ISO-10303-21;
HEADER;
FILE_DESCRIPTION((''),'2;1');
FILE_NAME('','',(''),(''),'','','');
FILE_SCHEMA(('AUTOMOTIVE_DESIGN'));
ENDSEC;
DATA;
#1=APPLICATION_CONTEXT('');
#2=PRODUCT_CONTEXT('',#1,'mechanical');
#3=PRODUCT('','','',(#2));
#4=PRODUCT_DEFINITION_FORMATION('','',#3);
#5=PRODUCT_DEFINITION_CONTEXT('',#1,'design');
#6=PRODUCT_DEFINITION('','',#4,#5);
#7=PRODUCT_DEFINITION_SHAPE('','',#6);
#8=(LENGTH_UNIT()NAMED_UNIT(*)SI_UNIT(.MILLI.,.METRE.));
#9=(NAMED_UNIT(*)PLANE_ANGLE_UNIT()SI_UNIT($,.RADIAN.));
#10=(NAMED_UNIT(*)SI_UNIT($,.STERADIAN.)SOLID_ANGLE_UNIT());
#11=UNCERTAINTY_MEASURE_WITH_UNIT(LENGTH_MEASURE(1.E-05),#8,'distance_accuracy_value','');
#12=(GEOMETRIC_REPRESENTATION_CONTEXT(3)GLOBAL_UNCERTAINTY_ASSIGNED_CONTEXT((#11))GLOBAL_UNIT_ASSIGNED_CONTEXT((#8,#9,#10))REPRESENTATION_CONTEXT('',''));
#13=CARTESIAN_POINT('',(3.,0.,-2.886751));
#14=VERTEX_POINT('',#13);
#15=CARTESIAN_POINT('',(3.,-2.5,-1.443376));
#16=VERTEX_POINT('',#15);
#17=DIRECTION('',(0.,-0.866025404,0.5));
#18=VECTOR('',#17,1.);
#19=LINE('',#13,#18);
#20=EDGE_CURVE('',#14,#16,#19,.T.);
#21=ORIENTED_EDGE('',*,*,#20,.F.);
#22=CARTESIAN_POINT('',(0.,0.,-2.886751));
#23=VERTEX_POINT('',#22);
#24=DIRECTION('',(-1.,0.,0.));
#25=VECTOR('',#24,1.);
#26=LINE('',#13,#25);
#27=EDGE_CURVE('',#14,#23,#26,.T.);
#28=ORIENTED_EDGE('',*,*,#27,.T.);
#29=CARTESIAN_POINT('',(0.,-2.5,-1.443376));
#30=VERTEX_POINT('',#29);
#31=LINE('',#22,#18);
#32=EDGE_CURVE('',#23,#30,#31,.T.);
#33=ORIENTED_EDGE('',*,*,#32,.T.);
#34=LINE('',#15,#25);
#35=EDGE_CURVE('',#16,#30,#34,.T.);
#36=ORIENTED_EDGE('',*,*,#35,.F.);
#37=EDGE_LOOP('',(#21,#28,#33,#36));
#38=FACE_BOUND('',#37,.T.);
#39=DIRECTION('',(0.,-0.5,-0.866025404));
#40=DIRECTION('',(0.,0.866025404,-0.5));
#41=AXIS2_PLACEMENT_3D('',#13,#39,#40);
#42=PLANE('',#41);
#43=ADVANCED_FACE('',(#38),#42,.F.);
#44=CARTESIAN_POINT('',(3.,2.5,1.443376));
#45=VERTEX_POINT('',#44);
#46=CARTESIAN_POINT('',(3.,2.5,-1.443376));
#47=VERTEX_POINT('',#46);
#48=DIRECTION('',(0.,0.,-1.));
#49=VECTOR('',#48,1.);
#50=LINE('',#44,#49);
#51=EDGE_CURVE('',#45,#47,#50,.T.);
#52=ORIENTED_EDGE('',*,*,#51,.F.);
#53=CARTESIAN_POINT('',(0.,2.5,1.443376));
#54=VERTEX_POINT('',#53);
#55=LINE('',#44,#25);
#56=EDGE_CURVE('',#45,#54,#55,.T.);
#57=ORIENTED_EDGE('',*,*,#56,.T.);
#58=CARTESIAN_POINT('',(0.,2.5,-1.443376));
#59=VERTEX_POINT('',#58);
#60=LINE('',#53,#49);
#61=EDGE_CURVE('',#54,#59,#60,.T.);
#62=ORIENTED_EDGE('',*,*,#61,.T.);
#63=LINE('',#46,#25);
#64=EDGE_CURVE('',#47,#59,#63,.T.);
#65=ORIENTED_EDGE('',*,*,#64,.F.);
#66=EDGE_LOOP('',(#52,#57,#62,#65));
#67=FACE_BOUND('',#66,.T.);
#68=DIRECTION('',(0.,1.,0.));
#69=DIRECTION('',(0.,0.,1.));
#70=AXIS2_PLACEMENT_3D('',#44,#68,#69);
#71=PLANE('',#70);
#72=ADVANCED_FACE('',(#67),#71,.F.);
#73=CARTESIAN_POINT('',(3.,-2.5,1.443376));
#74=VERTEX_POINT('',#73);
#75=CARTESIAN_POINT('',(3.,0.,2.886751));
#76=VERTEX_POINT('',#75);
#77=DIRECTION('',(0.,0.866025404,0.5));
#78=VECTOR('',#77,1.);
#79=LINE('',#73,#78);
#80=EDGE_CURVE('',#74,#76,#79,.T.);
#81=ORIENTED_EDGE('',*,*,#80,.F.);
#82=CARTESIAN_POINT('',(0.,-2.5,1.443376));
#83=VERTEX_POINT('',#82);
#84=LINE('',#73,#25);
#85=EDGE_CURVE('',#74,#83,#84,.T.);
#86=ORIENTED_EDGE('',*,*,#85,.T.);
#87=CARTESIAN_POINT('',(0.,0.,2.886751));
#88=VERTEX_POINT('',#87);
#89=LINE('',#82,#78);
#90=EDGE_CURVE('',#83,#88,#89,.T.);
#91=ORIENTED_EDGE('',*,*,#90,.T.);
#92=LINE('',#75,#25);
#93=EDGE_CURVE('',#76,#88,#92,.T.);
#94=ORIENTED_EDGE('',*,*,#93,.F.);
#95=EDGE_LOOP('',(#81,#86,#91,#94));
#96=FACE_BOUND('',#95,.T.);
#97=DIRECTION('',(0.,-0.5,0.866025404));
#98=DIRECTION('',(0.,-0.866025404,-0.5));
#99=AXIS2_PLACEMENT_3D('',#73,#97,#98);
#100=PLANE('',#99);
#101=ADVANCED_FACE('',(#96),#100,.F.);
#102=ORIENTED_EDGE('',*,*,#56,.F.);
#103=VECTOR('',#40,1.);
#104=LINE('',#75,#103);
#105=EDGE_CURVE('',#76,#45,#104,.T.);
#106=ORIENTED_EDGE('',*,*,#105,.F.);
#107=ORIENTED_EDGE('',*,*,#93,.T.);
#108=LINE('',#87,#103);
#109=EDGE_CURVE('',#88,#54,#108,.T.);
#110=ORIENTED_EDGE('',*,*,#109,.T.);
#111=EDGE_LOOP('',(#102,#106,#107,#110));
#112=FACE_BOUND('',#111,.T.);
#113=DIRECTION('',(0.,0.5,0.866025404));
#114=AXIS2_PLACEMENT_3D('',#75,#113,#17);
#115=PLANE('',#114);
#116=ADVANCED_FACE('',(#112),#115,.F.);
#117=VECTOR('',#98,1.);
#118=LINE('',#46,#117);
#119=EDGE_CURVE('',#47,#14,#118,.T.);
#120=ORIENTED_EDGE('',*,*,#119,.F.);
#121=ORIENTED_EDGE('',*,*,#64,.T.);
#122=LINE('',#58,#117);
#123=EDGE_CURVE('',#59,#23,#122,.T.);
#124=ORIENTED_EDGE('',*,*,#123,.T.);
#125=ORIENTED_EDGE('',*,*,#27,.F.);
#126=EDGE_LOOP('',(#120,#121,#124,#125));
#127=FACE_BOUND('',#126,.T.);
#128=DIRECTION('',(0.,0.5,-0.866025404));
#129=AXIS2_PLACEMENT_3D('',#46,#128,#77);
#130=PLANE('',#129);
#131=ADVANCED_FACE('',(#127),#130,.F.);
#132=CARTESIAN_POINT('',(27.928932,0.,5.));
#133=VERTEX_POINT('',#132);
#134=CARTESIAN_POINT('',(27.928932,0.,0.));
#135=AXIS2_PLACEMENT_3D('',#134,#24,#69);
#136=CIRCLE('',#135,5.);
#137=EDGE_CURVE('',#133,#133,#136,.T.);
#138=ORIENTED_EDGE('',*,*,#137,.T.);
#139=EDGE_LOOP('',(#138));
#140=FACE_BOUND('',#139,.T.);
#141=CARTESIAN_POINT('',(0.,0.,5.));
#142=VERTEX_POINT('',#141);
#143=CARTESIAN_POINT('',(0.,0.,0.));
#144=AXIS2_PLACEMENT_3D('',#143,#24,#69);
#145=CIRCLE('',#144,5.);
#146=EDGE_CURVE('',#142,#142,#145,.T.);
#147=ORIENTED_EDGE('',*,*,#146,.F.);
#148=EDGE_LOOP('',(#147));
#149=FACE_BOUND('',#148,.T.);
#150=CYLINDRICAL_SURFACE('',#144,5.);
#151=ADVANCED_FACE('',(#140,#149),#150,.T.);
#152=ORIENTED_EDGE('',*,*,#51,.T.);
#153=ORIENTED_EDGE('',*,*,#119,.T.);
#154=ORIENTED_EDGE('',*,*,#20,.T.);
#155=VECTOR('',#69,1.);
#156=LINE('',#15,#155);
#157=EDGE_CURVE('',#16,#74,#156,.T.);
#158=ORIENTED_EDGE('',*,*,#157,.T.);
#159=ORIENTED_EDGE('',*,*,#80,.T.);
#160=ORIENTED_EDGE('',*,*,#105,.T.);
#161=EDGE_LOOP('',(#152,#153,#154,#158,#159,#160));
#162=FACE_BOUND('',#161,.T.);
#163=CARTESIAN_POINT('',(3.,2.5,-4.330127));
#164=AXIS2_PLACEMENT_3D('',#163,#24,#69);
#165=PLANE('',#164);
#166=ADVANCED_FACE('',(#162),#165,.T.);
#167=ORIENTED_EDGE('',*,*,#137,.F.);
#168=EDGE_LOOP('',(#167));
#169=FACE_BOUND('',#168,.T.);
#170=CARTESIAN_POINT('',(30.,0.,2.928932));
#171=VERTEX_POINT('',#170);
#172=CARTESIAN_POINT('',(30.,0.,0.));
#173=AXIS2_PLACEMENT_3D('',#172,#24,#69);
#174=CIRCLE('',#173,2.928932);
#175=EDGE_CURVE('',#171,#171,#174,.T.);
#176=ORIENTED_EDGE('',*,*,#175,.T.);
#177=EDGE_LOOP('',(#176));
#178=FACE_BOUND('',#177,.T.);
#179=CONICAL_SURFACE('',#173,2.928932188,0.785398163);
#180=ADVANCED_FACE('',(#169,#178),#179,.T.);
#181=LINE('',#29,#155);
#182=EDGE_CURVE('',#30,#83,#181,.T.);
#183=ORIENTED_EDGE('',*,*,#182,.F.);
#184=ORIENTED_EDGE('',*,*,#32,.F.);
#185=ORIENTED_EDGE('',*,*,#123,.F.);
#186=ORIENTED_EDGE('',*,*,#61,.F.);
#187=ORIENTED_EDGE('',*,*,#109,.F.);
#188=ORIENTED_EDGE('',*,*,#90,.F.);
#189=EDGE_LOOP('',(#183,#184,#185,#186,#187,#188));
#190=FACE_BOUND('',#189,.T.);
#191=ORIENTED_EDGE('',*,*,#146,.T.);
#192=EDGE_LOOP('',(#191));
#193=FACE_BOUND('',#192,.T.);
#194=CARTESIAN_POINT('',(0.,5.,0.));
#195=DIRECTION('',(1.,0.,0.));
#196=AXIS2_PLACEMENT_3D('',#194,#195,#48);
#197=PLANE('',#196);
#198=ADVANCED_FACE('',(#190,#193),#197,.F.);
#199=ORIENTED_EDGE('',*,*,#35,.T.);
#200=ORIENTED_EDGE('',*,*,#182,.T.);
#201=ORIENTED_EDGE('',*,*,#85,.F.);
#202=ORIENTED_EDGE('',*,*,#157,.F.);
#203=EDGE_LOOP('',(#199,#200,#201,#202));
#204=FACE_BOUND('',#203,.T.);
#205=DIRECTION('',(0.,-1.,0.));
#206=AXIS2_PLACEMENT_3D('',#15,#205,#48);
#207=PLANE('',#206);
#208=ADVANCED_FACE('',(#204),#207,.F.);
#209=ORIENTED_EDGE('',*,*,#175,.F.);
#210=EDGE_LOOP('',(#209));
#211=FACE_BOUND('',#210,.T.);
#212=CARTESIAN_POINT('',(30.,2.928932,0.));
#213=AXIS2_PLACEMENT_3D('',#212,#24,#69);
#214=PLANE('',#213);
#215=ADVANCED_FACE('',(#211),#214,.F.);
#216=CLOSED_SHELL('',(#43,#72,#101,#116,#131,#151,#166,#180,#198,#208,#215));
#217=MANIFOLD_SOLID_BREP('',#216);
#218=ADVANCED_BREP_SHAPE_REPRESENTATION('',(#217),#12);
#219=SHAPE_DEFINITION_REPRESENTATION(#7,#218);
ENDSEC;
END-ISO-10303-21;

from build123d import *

# Parameters (mm, degrees)
CUT_EXTRUDE1_DEPTH = 3


with BuildPart() as part:
    # Sketch1 → Revolve1 (revolve)
    with BuildSketch(Plane.XY, mode=Mode.PRIVATE) as revolve1_sk:
        Polygon((30, 2.928932188), (30, 0), (0, 0), (0, 5), (27.928932188, 5), align=None)
    revolve(revolve1_sk.sketch.rotate(Axis((0, 0, 0), (1, 0, 0)), 90), axis=Axis((0, 0, 0), (1, 0, 0)))

    # Sketch2 → Cut-Extrude1 (cut)
    with BuildSketch(Plane.ZY):
        Polygon((-1.443375673, 2.5), (-2.886751346, 0), (-1.443375673, -2.5), (1.443375673, -2.5), (2.886751346, 0), (1.443375673, 2.5), align=None)
    extrude(amount=-CUT_EXTRUDE1_DEPTH, mode=Mode.SUBTRACT)


solid = part.part
